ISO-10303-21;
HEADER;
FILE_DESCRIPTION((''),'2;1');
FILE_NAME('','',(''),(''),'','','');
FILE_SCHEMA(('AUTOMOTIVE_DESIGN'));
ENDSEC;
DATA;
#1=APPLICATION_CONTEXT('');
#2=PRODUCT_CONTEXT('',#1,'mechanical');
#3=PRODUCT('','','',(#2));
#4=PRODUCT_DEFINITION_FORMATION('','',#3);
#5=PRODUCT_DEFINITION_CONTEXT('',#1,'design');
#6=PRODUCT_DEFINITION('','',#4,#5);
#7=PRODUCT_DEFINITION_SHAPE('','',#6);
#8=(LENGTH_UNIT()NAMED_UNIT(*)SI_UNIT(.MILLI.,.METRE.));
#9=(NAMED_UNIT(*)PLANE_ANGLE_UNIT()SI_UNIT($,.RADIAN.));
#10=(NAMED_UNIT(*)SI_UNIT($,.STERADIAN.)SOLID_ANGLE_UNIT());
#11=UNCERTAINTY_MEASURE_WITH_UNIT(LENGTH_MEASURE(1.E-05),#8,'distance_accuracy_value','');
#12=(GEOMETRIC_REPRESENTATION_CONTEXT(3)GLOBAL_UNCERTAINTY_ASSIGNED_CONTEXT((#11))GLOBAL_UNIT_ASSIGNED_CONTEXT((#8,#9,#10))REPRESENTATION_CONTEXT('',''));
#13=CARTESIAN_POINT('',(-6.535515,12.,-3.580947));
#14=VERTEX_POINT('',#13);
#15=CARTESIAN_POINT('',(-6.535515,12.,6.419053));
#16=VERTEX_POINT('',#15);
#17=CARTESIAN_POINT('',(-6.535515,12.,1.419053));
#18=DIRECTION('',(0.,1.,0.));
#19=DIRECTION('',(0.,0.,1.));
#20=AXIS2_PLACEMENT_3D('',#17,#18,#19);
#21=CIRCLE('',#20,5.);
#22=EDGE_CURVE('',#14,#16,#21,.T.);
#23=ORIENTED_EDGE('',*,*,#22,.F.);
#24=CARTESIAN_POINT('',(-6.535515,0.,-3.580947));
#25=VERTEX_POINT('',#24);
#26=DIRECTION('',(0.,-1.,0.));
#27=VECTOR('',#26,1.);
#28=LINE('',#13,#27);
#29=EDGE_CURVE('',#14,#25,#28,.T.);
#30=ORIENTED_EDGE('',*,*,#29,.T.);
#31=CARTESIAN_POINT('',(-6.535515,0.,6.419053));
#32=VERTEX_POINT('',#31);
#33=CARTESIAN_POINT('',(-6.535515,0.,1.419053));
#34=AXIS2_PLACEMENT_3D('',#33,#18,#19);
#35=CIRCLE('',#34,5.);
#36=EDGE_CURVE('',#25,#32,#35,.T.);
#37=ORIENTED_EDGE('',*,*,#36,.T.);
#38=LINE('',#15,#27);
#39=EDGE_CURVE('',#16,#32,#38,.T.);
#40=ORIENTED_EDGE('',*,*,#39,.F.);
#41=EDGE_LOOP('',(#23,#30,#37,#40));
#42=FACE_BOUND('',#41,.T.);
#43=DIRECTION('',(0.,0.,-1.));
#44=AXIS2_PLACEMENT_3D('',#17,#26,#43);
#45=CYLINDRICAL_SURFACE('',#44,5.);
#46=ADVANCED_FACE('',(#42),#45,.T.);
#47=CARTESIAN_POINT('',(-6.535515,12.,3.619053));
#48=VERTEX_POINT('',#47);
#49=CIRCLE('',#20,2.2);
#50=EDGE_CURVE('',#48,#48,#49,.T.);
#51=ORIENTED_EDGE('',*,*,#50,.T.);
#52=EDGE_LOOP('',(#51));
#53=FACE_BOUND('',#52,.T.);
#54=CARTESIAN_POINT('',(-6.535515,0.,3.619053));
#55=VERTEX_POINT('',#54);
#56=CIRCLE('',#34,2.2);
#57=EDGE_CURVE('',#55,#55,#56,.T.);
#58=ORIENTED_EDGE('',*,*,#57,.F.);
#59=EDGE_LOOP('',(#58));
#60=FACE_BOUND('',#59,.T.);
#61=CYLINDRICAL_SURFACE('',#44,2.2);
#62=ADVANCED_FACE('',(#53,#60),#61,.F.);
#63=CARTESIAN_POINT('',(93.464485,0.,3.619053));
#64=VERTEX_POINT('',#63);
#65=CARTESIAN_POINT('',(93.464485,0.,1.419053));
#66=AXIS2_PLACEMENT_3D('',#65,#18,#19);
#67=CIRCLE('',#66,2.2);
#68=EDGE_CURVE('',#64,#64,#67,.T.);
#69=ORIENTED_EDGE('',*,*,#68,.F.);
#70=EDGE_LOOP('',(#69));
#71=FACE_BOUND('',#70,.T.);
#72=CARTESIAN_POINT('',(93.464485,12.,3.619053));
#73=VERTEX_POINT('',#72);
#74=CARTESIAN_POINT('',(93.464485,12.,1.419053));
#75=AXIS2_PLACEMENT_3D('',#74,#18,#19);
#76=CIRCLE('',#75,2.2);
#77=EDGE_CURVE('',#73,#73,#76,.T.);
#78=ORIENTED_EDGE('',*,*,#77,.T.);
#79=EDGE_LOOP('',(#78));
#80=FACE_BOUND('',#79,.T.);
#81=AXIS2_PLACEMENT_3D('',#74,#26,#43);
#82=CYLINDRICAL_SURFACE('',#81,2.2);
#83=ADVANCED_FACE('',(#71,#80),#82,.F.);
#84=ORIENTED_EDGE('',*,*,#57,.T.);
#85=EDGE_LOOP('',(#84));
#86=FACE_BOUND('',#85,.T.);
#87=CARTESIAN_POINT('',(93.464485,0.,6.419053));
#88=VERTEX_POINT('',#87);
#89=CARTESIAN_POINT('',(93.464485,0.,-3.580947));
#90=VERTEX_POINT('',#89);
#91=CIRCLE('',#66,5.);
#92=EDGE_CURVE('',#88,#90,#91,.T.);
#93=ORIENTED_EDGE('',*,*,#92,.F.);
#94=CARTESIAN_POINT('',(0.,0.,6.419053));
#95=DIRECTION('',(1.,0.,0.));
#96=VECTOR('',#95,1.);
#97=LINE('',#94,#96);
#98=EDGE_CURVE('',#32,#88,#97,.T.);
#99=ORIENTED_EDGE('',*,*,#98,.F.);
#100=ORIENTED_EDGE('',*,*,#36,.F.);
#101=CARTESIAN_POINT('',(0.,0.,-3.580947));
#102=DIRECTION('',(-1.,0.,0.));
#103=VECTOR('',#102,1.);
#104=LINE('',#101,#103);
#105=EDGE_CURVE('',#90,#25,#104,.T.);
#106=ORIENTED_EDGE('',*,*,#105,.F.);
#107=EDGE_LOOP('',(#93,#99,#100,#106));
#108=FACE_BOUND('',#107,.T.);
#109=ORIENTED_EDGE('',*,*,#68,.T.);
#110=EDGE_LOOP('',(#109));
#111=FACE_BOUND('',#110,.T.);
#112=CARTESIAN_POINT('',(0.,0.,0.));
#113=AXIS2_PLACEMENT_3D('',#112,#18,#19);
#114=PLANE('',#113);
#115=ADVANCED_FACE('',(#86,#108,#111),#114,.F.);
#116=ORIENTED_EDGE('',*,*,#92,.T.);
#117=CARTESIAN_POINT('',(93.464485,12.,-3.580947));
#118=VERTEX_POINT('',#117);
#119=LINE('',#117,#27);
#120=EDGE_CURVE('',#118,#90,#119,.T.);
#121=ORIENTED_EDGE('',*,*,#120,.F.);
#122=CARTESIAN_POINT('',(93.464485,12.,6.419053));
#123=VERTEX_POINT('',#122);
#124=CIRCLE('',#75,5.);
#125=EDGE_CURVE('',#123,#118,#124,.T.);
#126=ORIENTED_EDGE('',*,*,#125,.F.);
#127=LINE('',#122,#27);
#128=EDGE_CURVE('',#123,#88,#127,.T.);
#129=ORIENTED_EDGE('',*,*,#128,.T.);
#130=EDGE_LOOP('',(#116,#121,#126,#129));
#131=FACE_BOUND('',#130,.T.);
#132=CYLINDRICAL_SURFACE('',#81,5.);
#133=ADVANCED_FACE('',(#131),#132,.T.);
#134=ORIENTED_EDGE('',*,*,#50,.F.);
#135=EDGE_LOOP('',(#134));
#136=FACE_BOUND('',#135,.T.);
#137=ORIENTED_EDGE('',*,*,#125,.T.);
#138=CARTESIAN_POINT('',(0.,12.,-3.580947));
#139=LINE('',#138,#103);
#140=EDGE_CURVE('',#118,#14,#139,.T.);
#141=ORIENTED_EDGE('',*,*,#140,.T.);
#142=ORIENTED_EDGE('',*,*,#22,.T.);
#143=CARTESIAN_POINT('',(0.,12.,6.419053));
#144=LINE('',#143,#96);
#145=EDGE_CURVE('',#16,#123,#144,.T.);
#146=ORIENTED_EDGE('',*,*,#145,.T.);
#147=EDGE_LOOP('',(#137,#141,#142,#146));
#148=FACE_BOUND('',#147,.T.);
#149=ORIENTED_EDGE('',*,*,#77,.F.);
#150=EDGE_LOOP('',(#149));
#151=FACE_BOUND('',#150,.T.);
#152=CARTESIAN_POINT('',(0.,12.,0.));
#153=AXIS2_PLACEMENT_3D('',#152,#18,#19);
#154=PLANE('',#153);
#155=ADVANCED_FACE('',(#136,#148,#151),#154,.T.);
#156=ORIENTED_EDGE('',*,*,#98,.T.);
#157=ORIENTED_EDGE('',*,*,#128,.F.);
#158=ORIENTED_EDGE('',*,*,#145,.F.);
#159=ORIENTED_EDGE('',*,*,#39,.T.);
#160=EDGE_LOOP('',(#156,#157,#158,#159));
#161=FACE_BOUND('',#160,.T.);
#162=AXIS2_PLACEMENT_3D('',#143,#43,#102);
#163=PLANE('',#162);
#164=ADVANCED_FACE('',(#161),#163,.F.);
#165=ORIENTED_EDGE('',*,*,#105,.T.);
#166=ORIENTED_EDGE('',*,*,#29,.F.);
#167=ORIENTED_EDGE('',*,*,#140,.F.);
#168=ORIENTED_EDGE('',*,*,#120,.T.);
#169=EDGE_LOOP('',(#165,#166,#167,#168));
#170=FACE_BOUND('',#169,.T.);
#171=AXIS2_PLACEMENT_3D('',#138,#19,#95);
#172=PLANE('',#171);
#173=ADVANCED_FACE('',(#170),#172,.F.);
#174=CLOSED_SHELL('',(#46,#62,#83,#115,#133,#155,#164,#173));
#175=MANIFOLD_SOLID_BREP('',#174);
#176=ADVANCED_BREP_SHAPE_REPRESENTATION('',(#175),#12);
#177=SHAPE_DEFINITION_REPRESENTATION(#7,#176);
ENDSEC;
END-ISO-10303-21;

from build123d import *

# Parameters (mm, degrees)
SKETCH1_R           = 2.2
BOSS_EXTRUDE1_DEPTH = 12


with BuildPart() as part:
    # Sketch1 → Boss-Extrude1 (new body)
    with BuildSketch(Plane(origin=(0, 0, 0), x_dir=(1, 0, 0), z_dir=(0, 1, 0))):
        with BuildLine():
            ThreePointArc((-6.535515489, 3.580947173), (-11.535515489, -1.419052827), (-6.535515489, -6.419052827))
            Line((-6.535515489, -6.419052827), (93.464484511, -6.419052827))
            ThreePointArc((93.464484511, -6.419052827), (98.464484511, -1.419052827), (93.464484511, 3.580947173))
            Line((93.464484511, 3.580947173), (-6.535515489, 3.580947173))
        make_face()
        with Locations((-6.535515489, -1.419052827)):
            Circle(SKETCH1_R, mode=Mode.SUBTRACT)
        with Locations((93.464484511, -1.419052827)):
            Circle(SKETCH1_R, mode=Mode.SUBTRACT)
    extrude(amount=BOSS_EXTRUDE1_DEPTH)


solid = part.part
